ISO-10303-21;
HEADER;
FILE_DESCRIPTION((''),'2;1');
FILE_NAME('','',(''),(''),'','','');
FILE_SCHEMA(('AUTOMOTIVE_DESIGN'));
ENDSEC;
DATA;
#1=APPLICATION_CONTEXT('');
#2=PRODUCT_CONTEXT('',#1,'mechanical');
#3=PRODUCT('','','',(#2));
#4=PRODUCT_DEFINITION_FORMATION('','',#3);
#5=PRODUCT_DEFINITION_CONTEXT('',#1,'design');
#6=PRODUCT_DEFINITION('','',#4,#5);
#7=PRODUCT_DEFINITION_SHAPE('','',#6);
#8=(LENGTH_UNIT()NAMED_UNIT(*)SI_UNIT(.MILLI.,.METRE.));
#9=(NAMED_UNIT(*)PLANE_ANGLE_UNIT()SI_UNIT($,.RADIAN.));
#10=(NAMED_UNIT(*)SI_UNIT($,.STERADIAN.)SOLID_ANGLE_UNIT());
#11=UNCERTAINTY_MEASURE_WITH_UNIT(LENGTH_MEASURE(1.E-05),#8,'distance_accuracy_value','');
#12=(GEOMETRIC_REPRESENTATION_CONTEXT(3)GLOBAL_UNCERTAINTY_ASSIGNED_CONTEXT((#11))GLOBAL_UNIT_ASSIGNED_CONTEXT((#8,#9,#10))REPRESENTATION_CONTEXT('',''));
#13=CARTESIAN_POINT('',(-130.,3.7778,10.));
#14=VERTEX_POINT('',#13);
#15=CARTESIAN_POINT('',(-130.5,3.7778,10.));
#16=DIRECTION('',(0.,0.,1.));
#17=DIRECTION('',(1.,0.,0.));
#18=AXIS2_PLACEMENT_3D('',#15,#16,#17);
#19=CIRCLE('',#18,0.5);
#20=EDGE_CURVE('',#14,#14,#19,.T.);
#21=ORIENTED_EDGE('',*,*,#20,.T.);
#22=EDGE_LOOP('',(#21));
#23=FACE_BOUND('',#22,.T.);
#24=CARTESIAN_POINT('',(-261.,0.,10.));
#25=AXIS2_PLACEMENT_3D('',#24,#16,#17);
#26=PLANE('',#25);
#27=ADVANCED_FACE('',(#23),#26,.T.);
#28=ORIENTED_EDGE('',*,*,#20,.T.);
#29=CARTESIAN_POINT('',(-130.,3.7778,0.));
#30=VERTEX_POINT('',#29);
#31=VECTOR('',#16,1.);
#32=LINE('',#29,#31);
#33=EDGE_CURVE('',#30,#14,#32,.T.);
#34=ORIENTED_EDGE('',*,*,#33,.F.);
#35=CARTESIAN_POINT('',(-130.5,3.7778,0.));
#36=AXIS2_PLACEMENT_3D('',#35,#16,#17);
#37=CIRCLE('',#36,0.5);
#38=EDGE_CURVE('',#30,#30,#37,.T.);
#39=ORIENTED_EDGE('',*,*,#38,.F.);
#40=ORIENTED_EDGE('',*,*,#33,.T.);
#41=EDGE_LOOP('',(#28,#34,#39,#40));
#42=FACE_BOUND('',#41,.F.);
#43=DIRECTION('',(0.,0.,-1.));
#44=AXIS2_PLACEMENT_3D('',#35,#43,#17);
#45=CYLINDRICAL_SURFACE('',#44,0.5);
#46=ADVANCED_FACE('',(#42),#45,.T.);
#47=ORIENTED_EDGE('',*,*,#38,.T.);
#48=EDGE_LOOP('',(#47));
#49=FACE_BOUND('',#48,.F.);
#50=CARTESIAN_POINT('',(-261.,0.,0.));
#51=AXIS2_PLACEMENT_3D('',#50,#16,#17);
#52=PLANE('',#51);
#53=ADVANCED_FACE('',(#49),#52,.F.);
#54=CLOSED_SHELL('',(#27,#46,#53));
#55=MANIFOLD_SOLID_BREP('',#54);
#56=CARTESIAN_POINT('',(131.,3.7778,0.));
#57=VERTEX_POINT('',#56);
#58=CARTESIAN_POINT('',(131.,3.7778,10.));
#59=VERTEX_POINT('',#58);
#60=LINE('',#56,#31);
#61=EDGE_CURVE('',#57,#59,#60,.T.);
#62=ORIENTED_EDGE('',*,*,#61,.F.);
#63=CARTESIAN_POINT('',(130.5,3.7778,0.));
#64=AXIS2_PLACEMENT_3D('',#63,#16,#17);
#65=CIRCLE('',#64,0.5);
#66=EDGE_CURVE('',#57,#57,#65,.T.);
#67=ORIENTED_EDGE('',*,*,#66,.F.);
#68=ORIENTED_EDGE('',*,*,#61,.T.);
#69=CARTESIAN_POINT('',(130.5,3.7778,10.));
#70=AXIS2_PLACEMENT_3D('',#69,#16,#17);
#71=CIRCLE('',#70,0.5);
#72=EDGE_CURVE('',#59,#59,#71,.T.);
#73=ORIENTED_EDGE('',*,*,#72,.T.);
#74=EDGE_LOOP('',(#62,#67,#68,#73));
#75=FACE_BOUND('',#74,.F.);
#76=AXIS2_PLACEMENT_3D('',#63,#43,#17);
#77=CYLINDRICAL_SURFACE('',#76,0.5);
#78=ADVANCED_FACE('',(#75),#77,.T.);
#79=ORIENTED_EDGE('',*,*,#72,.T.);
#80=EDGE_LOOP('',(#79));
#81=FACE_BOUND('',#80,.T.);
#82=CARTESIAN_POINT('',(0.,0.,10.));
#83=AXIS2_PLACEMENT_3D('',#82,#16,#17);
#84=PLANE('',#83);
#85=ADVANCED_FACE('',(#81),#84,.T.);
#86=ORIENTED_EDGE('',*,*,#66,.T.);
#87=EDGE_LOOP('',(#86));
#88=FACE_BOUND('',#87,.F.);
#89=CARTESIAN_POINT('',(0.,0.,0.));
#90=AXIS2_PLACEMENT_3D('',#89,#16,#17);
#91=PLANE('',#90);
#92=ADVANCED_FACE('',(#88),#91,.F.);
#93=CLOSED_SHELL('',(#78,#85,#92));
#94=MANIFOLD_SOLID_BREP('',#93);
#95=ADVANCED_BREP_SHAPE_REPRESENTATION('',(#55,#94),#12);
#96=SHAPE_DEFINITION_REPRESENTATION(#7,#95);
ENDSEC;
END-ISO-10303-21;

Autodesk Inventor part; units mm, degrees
ref_plane "YZ Plane" through (0, 0, 0) normal (1, 0, 0) x (0, 1, 0)
ref_plane "XZ Plane" through (0, 0, 0) normal (0, 1, 0) x (-1, 0, 0)
ref_plane "XY Plane" through (0, 0, 0) normal (0, 0, 1) x (1, 0, 0)
sketch "Sketch1" plane through (0, 0, 0) normal (0, 0, 1) x (1, 0, 0)
  line L0 (-190.5, -10.9695) -> (190.5, -10.9695)
  line L1 (190.5, -10.9695) -> (190.5, 10.9695)
  line L2 (190.5, 10.9695) -> (-190.5, 10.9695)
  line L3 (-190.5, 10.9695) -> (-190.5, -10.9695)
  line L4 (-190.5, -10.9695) -> (190.5, 10.9695) construction
  line L5 (190.5, -10.9695) -> (-190.5, 10.9695) construction
  point P0 (0, 0)
  dimension "d0" = 381
  dimension "d1" = 21.939
sketch "Lamello" plane through (0, 0, 0) normal (0, 0, 1) x (1, 0, 0)
  line L0 (48.383, 141.1858) -> (42.783, 141.1858)
  line L1 (40.583, 139.6858) -> (40.583, 114.6858)
  line L2 (42.783, 113.1858) -> (48.383, 113.1858)
  line L3 (50.583, 114.6858) -> (50.583, 139.6858)
  line L4 (50.583, 139.6858) -> (48.383, 141.1858)
  line L5 (40.583, 139.6858) -> (42.783, 141.1858)
  line L6 (40.583, 114.6858) -> (42.783, 113.1858)
  line L7 (50.583, 114.6858) -> (48.383, 113.1858)
  line L8 (50.583, 127.1858) -> (40.583, 127.1858)
  line L9 (45.583, 141.1858) -> (45.583, 113.1858)
  point P0 (45.583, 127.1858)
  point P1 (50.583, 141.1858)
  point P2 (40.583, 113.1858)
  point P3 (40.583, 141.1858)
  point P4 (50.583, 113.1858)
  dimension "d54" = 10
  dimension "d55" = 28
  dimension "d56" = 1.5
  dimension "d57" = 2.2
  dimension "d58" = 1.5
  dimension "d59" = 2.2
  dimension "d60" = 1.5
  dimension "d61" = 2.2
  dimension "d62" = 1.5
  dimension "d63" = 2.2
sketch "Sketch2" plane through (0, 0, 0) normal (0, 0, 1) x (1, 0, 0)
  circle A0 centre (130.5, 3.7778) radius 0.5
  line L0 (190.5, 10.9695) -> (-190.5, 10.9695) projected
  line L1 (-190.5, -10.9695) -> (190.5, -10.9695) projected
  line L2 (0, -145.0303) -> (0, 106.9697) projected
  line L3 (190.5, -10.9695) -> (190.5, 10.9695) projected
  point P0 (0, 0)
  dimension "d4" = 1
  dimension "d50" = 7.1917
  dimension "d70" = 60
extrude "Extrusion1" add sketch "Sketch2" along normal blind 10 contours A0
pattern_linear "Clamex Array" count 2 spacing 261 along (-1, 0, 0) of "Extrusion1"
sketch "Edge-Side Connection" plane through (0, 0, 0) normal (1, 0, 0) x (0, 1, 0)
  line L0 (-50, 0) -> (50, 0)
  line L1 (50, 0) -> (50, 19)
  line L2 (50, 19) -> (-50, 19)
  line L3 (-50, 19) -> (-50, 0)
  line L4 (-10.9695, 0) -> (-34.0635, -40)
  line L5 (-34.0635, -40) -> (-12.1245, -40)
  line L6 (-12.1245, -40) -> (10.9695, 0)
  line L7 (-2.9208, -14) -> (-2.9208, 14) construction
  line L8 (10.9695, 0) -> (2.0792, 0)
  line L9 (-7.9208, -12.5) -> (-15.62, -8.0549)
  point P0 (0, 0)
  point P1 (10.9695, 0)
  point P2 (0, 0)
  dimension "d26" = 100
  dimension "d27" = 19
  dimension "d28" = 40
  dimension "OtherSideRefYCoordinate" = 8.0487
  dimension "ReferenceCoord" = 13.8903
  dimension "d49" = 120
sketch "Edge-Edge Connection" plane through (0, 0, 0) normal (1, 0, 0) x (0, 1, 0)
  line L0 (-109.0303, 19) -> (10.9697, 19)
  line L1 (10.9697, 19) -> (0, 0)
  line L2 (0, 0) -> (-109.0303, 0)
  line L3 (-109.0303, 0) -> (-109.0303, 19)
  line L4 (10.9697, 19) -> (70.9697, -84.923)
  line L5 (0, 0) -> (54.5152, -94.423)
  line L6 (54.5152, -94.423) -> (70.9697, -84.923)
  line L7 (1.0958, 1.8981) -> (0, 0)
  line L8 (-4.7295, 16.8083) -> (-4.7295, 19)
  point P0 (3.5958, 6.2282)
  dimension "d51" = 19
  dimension "d53" = 19
  dimension "EdgeEdgeReferenceCoord" = 7.1917
  dimension "d65" = 120
  dimension "d66" = 120
  dimension "d67" = 120
  dimension "EdgeEdgeOtherSideRefYCoordinate" = 14.7476
equation "\"d9\" = Step"
equation "\"d27\" = NestleBoardT"
equation "\"d0\" = ContactPatchWidth"
equation "\"d1\" = ContactPatchHeight"
equation "\"ContactPatchWidth\" = 381"
equation "\"ContactPatchHeight\" = 21.939"
equation "\"PlacingWidth\" = 261"
equation "\"MinDistBetween\" = 96"
equation "\"Step\" = 261"
equation "\"Y_Coord\" = 7.19169"
equation "\"NestleBoardT\" = 19"
equation "\"PillarBoardT\" = 19"
equation "\"AngleForYPositionCalc\" = 120deg"
equation "\"ConnectionAngle\" = 120deg"
equation "\"ShiftY\" = 0"
properties part number "Clamex Joint1800"
